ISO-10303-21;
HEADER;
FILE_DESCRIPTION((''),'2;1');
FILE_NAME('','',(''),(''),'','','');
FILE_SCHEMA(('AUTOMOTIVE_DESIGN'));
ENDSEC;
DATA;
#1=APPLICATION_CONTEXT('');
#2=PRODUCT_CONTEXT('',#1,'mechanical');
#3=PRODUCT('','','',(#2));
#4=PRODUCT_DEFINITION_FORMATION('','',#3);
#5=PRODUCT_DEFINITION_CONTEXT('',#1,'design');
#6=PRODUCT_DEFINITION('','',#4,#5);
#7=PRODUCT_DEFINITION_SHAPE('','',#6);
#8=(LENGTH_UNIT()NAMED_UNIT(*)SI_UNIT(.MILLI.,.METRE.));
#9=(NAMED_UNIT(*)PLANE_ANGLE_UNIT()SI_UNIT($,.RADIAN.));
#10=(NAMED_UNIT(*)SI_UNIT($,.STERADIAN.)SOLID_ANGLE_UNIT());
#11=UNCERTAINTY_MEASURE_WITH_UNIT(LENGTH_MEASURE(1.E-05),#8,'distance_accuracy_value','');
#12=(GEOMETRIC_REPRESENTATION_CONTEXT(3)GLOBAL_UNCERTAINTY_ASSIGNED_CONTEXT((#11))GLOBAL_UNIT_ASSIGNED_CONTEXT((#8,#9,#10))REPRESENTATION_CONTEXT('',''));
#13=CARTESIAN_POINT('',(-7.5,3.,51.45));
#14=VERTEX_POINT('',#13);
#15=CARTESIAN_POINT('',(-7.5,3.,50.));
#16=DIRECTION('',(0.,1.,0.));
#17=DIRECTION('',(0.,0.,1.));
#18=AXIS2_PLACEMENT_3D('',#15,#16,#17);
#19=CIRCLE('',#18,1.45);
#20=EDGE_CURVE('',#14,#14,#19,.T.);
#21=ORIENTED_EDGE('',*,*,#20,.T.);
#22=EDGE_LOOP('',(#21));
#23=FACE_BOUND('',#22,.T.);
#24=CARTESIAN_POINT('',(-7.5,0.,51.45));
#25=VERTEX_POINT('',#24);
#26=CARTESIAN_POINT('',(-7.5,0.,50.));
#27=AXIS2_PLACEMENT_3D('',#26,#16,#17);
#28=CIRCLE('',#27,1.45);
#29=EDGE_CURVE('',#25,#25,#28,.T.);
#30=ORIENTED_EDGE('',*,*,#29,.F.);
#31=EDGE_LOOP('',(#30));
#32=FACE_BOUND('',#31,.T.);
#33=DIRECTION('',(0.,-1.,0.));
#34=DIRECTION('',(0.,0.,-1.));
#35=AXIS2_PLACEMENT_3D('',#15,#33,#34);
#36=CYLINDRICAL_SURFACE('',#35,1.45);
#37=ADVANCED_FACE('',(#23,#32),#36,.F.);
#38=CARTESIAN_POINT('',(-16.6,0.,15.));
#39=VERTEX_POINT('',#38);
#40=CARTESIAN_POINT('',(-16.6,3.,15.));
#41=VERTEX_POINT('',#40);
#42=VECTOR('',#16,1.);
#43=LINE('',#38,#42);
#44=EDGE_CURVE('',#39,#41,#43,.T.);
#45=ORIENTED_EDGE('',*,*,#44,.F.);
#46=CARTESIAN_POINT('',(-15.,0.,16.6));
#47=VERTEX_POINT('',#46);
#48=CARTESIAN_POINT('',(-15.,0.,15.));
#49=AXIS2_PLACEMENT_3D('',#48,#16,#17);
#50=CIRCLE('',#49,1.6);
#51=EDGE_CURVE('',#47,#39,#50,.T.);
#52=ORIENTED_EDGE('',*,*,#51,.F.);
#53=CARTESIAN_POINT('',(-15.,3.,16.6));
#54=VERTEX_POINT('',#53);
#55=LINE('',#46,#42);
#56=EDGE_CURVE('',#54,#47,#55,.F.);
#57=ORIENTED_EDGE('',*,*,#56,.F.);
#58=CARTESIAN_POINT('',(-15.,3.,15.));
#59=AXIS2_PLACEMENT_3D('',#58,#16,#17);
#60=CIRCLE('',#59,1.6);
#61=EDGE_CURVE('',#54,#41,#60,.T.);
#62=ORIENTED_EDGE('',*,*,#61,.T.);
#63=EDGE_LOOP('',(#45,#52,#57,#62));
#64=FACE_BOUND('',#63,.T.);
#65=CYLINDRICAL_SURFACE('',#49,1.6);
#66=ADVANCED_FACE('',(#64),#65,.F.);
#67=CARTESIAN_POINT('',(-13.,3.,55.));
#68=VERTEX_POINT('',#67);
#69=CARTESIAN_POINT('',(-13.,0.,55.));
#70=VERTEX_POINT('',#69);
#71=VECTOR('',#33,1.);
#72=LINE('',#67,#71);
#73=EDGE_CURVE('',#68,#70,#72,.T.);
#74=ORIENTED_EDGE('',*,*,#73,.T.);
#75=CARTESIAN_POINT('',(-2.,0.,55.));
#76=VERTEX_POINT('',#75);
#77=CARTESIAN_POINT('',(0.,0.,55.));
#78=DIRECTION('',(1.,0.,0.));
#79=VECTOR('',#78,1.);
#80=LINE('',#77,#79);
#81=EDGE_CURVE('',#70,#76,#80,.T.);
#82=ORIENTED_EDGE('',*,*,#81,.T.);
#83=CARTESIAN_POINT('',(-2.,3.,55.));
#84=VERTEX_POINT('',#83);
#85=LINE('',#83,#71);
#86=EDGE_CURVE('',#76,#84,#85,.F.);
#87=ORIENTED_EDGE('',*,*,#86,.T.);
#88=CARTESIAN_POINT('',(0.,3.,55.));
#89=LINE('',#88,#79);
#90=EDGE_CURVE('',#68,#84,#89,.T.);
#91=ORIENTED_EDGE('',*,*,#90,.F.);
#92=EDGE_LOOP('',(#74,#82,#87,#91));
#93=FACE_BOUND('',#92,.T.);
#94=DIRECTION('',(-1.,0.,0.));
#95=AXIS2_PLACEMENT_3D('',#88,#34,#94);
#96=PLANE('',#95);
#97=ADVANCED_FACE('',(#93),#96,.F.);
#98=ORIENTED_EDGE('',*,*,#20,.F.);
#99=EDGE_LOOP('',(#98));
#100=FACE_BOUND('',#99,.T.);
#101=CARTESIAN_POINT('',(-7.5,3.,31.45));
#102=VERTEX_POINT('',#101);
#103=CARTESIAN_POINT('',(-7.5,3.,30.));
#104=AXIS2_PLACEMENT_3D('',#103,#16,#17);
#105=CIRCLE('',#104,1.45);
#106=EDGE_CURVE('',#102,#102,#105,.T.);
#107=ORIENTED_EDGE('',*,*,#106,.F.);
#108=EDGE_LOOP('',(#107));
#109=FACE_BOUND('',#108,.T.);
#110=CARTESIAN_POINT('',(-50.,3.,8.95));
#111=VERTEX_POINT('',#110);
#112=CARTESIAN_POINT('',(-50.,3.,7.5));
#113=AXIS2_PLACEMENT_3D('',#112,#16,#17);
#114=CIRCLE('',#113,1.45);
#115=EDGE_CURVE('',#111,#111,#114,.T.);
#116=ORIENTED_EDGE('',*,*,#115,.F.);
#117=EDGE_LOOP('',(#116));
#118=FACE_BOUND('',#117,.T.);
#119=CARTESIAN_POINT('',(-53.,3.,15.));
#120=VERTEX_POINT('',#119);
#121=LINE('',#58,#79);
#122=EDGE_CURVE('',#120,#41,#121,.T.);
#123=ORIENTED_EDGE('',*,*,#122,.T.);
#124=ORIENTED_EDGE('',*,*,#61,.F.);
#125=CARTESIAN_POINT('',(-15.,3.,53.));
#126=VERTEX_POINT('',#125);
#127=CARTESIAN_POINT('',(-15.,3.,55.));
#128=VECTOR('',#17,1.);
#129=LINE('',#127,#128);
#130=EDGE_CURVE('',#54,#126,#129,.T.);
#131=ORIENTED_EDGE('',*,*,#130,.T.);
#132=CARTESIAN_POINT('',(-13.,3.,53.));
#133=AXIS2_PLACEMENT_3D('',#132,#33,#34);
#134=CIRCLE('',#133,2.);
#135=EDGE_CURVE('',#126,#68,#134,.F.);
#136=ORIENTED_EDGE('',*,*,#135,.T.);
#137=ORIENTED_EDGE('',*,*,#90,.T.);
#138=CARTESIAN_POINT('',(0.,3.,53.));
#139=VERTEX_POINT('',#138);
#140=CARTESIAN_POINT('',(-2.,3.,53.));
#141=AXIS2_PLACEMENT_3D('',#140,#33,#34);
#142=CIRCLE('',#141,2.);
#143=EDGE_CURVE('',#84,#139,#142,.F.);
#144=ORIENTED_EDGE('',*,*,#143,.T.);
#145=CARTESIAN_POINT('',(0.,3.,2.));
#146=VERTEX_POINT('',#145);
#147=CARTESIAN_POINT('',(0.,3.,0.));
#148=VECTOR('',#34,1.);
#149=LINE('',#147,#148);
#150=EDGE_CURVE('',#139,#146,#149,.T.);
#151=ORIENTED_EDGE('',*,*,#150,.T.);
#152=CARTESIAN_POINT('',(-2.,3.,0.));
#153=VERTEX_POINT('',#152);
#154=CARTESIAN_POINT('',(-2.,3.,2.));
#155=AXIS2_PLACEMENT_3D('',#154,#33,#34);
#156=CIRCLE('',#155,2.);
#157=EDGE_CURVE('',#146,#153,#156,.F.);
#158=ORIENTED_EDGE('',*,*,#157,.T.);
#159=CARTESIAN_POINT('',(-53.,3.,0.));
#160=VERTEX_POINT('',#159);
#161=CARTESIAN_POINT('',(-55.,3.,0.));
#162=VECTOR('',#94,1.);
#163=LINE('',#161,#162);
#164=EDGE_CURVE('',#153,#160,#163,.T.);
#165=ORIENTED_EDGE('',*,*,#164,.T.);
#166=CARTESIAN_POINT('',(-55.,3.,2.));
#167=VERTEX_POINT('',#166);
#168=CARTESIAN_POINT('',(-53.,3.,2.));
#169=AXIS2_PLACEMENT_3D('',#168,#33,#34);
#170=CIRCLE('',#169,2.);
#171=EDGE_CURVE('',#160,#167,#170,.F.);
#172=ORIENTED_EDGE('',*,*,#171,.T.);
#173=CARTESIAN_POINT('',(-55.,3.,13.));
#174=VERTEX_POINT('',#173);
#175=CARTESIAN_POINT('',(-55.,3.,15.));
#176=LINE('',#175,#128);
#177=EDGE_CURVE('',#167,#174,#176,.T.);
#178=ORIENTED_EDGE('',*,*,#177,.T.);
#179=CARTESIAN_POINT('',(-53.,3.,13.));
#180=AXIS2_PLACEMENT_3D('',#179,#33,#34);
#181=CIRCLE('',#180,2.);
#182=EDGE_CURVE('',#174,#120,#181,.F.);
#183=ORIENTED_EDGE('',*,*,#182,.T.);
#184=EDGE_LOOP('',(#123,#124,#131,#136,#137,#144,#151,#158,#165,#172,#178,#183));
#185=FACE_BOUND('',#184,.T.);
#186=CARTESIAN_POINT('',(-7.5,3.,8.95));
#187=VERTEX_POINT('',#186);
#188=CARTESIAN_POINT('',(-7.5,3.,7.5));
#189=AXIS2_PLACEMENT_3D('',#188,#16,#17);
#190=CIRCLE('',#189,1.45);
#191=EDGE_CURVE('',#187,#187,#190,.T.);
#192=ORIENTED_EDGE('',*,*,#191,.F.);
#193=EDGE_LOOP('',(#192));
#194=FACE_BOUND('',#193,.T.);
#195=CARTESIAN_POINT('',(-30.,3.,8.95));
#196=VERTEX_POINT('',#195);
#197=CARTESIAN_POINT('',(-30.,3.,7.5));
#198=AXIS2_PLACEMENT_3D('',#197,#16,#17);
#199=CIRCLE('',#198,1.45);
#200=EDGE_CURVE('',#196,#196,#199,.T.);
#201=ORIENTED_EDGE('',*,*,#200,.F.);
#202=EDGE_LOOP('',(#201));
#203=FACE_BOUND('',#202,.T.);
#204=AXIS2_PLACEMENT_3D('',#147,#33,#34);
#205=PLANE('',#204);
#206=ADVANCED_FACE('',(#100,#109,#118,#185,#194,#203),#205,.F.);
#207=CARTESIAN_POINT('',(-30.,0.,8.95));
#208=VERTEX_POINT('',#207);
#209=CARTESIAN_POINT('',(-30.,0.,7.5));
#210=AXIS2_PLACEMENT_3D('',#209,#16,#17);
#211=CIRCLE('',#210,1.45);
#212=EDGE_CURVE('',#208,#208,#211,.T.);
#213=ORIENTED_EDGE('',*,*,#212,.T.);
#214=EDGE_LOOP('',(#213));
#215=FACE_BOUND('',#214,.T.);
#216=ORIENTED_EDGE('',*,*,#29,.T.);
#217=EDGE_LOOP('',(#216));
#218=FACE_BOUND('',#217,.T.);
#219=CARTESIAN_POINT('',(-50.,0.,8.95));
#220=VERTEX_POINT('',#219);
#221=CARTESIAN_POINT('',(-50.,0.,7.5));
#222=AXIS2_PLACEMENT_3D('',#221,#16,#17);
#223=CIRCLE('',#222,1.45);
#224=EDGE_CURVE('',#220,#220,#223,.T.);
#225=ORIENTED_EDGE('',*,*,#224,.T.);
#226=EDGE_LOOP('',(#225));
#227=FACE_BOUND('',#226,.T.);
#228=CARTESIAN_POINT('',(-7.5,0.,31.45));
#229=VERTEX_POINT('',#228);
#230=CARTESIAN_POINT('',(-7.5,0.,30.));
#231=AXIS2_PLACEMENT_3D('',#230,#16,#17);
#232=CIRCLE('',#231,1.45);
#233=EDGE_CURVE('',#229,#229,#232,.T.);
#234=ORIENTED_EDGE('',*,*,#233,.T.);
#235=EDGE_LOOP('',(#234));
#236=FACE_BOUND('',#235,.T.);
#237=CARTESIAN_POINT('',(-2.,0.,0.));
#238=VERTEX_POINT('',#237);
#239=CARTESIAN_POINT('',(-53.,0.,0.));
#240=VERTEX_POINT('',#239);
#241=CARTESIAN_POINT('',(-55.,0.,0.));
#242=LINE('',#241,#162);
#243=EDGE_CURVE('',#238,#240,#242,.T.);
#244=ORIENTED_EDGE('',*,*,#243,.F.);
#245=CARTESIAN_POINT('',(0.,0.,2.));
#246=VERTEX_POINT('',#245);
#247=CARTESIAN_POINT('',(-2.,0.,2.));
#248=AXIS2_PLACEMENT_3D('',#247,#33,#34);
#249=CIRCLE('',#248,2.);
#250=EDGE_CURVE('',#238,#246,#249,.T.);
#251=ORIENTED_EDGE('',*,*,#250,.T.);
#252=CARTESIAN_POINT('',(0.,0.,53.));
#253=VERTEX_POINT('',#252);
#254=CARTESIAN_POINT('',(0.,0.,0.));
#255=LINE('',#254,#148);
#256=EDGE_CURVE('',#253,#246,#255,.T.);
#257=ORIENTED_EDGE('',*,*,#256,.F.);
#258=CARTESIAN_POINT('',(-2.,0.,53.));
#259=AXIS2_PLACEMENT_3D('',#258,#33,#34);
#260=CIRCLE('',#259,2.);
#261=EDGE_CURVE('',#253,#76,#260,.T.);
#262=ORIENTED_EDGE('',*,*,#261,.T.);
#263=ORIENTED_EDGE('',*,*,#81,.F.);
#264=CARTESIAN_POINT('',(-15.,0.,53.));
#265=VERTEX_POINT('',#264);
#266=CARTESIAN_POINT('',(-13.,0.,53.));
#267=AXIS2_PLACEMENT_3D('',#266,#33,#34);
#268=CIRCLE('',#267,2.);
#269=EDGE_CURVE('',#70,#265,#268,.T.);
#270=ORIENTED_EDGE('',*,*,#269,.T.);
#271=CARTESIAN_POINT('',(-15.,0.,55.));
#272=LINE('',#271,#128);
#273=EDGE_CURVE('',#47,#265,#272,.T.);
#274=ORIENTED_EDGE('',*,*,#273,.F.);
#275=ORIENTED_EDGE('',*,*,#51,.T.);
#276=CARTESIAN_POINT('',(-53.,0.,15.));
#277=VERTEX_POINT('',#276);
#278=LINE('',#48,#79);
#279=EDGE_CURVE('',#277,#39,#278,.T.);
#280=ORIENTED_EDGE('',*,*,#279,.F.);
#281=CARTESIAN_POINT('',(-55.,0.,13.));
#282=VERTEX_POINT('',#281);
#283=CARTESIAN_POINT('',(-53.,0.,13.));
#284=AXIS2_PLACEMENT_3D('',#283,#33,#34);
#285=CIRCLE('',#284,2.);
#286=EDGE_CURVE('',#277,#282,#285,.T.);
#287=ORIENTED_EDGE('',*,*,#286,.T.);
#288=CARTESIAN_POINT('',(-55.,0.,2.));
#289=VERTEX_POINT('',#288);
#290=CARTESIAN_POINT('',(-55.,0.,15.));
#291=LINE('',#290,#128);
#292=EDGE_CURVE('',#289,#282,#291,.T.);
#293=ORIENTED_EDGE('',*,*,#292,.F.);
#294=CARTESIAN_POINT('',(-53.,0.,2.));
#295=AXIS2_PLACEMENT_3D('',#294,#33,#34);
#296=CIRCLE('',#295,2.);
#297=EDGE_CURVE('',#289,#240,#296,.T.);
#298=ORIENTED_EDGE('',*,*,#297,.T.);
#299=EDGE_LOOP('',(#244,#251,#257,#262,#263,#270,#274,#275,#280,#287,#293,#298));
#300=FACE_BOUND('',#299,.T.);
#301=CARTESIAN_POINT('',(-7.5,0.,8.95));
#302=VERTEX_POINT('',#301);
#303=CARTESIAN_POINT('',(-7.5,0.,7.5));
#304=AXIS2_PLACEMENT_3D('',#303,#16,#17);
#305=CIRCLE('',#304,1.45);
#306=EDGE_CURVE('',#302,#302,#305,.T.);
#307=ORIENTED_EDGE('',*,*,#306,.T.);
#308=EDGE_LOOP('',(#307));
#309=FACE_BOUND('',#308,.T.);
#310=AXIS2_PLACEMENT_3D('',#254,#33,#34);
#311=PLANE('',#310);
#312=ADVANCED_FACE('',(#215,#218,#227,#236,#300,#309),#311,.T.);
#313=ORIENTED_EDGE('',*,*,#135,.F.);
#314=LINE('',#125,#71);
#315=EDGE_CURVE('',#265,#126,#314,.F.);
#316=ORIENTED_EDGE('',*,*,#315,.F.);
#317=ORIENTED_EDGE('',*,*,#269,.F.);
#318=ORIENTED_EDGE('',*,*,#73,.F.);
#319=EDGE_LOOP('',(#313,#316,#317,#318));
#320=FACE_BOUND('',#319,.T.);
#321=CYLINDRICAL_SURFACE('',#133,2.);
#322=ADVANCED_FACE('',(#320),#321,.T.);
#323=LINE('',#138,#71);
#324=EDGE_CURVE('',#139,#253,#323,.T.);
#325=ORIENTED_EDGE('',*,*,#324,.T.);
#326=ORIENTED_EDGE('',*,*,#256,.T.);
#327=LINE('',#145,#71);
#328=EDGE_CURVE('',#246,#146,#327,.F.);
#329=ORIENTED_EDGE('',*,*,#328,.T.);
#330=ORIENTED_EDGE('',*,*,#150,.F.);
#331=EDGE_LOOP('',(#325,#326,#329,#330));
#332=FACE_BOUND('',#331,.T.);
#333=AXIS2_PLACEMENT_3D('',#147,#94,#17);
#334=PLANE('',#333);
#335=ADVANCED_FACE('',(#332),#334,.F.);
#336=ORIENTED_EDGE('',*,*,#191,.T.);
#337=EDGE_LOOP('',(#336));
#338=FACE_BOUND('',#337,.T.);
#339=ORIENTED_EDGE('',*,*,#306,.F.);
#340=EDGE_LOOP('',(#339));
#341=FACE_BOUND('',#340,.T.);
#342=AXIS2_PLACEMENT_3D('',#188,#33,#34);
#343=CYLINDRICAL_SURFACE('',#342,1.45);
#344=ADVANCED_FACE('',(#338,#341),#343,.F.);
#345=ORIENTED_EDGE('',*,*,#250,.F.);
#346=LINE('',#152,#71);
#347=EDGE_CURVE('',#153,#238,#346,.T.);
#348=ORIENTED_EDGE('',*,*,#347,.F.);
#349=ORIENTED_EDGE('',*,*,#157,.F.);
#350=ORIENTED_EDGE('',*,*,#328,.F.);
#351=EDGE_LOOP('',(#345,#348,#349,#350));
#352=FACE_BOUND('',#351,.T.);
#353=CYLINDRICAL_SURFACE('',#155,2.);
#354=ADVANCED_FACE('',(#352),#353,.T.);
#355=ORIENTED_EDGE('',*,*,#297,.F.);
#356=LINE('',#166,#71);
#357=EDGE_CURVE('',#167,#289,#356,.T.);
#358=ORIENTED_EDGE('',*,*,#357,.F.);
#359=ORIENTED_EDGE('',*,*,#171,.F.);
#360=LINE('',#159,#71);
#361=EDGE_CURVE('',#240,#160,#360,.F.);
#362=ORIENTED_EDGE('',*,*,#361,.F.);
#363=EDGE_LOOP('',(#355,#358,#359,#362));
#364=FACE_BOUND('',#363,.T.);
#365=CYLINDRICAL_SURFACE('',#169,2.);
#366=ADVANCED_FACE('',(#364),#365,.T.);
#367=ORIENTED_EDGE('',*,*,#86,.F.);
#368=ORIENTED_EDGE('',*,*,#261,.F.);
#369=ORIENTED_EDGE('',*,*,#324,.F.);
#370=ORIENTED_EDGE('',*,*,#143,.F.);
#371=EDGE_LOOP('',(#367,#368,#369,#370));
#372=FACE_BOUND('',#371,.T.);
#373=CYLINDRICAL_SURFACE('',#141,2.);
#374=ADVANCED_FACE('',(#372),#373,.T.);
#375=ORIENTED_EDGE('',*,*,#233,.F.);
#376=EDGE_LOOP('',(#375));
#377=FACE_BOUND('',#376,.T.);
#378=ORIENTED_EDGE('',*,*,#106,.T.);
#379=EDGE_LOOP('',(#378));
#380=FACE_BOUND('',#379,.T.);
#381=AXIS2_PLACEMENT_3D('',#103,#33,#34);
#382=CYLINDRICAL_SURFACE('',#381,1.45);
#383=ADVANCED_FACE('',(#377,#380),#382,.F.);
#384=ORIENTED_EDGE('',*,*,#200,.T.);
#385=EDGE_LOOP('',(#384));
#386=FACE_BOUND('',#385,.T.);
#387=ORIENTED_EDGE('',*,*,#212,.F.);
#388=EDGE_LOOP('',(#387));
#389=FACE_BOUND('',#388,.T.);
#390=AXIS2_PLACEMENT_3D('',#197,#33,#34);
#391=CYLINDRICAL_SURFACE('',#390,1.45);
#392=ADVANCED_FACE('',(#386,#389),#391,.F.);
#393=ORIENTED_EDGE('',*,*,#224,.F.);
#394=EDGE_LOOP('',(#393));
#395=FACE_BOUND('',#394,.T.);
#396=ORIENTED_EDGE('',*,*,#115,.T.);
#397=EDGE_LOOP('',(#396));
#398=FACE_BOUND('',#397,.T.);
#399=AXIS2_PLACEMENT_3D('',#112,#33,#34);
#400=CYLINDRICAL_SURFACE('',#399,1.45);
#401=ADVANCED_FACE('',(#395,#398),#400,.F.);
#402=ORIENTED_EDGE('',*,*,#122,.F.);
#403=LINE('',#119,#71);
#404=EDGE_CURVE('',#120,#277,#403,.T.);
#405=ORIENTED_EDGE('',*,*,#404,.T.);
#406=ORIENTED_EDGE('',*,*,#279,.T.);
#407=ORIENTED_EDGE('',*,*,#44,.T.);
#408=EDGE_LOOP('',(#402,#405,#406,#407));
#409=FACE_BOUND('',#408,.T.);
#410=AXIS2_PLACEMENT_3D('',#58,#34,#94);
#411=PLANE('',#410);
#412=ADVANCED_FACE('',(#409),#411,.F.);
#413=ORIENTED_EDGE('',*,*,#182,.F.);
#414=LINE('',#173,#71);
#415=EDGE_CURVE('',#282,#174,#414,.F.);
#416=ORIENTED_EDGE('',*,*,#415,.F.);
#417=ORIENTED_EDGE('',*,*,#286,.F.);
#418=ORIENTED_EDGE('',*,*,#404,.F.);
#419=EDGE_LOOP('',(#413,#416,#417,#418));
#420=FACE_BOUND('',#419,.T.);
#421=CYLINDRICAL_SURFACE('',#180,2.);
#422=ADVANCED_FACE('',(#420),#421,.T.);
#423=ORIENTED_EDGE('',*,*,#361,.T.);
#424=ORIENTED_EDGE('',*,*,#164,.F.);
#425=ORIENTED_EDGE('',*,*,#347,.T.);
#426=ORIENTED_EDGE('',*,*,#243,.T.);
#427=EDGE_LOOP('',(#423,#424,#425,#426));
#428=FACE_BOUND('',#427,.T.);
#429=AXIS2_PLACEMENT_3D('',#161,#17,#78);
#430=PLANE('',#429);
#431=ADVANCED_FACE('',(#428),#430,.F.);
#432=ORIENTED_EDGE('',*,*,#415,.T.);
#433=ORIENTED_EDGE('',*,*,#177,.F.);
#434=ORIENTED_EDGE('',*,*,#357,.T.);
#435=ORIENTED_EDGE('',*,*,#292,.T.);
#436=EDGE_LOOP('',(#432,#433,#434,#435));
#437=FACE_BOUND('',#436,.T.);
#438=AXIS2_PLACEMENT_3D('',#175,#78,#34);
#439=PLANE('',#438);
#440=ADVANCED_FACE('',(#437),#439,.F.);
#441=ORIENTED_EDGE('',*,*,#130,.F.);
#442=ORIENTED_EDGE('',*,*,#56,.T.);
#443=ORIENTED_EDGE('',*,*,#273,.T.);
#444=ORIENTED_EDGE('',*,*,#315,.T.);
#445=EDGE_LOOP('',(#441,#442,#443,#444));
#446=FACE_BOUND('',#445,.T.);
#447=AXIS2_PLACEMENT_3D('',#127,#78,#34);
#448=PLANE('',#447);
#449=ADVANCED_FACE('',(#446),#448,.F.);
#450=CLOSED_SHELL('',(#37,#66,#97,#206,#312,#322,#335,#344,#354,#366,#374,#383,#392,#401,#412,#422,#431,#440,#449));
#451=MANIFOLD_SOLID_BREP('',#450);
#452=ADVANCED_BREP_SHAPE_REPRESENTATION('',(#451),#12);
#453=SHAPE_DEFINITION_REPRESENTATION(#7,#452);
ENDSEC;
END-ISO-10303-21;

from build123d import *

# Parameters (mm, degrees)
SKETCH_1_R          = 1.45
EXTRUDE_1_DEPTH     = 3
FILLET_1_R          = 2
SKETCH_2_R          = 1.6
CUT_EXTRUDE_1_DEPTH = 78.839578622


with BuildPart() as part:
    # 草图1 → 凸台-拉伸1 (new body)
    with BuildSketch(Plane(origin=(0, 0, 0), x_dir=(1, 0, 0), z_dir=(0, 1, 0))):
        Polygon((-55, 0), (0, 0), (0, -55), (-15, -55), (-15, -15), (-55, -15), align=None)
        with Locations(Location((-7.5, -7.5, 0), (0, 0, 270))):
            Circle(SKETCH_1_R, mode=Mode.SUBTRACT)
        with Locations(Location((-7.5, -30, 0), (0, 0, 270))):
            Circle(SKETCH_1_R, mode=Mode.SUBTRACT)
        with Locations(Location((-7.5, -50, 0), (0, 0, 270))):
            Circle(SKETCH_1_R, mode=Mode.SUBTRACT)
        with Locations(Location((-30, -7.5, 0), (0, 0, 270))):
            Circle(SKETCH_1_R, mode=Mode.SUBTRACT)
        with Locations(Location((-50, -7.5, 0), (0, 0, 270))):
            Circle(SKETCH_1_R, mode=Mode.SUBTRACT)
    extrude(amount=EXTRUDE_1_DEPTH)

    # 圆角1
    fillet_1_edges = [part.edges().sort_by_distance(p)[0] for p in [
        (-55, 1.5, 0),
        (0, 1.5, 0),
        (0, 1.5, 55),
        (-15, 1.5, 55),
        (-55, 1.5, 15),
    ]]
    fillet(fillet_1_edges, radius=FILLET_1_R)

    # 草图2 → 切除-拉伸1 (cut, through all)
    with BuildSketch(Plane(origin=(0, 3, 0), x_dir=(1, 0, 0), z_dir=(0, 1, 0))):
        with Locations((-15, -15)):
            Circle(SKETCH_2_R)
    extrude(amount=-CUT_EXTRUDE_1_DEPTH, mode=Mode.SUBTRACT)


solid = part.part
